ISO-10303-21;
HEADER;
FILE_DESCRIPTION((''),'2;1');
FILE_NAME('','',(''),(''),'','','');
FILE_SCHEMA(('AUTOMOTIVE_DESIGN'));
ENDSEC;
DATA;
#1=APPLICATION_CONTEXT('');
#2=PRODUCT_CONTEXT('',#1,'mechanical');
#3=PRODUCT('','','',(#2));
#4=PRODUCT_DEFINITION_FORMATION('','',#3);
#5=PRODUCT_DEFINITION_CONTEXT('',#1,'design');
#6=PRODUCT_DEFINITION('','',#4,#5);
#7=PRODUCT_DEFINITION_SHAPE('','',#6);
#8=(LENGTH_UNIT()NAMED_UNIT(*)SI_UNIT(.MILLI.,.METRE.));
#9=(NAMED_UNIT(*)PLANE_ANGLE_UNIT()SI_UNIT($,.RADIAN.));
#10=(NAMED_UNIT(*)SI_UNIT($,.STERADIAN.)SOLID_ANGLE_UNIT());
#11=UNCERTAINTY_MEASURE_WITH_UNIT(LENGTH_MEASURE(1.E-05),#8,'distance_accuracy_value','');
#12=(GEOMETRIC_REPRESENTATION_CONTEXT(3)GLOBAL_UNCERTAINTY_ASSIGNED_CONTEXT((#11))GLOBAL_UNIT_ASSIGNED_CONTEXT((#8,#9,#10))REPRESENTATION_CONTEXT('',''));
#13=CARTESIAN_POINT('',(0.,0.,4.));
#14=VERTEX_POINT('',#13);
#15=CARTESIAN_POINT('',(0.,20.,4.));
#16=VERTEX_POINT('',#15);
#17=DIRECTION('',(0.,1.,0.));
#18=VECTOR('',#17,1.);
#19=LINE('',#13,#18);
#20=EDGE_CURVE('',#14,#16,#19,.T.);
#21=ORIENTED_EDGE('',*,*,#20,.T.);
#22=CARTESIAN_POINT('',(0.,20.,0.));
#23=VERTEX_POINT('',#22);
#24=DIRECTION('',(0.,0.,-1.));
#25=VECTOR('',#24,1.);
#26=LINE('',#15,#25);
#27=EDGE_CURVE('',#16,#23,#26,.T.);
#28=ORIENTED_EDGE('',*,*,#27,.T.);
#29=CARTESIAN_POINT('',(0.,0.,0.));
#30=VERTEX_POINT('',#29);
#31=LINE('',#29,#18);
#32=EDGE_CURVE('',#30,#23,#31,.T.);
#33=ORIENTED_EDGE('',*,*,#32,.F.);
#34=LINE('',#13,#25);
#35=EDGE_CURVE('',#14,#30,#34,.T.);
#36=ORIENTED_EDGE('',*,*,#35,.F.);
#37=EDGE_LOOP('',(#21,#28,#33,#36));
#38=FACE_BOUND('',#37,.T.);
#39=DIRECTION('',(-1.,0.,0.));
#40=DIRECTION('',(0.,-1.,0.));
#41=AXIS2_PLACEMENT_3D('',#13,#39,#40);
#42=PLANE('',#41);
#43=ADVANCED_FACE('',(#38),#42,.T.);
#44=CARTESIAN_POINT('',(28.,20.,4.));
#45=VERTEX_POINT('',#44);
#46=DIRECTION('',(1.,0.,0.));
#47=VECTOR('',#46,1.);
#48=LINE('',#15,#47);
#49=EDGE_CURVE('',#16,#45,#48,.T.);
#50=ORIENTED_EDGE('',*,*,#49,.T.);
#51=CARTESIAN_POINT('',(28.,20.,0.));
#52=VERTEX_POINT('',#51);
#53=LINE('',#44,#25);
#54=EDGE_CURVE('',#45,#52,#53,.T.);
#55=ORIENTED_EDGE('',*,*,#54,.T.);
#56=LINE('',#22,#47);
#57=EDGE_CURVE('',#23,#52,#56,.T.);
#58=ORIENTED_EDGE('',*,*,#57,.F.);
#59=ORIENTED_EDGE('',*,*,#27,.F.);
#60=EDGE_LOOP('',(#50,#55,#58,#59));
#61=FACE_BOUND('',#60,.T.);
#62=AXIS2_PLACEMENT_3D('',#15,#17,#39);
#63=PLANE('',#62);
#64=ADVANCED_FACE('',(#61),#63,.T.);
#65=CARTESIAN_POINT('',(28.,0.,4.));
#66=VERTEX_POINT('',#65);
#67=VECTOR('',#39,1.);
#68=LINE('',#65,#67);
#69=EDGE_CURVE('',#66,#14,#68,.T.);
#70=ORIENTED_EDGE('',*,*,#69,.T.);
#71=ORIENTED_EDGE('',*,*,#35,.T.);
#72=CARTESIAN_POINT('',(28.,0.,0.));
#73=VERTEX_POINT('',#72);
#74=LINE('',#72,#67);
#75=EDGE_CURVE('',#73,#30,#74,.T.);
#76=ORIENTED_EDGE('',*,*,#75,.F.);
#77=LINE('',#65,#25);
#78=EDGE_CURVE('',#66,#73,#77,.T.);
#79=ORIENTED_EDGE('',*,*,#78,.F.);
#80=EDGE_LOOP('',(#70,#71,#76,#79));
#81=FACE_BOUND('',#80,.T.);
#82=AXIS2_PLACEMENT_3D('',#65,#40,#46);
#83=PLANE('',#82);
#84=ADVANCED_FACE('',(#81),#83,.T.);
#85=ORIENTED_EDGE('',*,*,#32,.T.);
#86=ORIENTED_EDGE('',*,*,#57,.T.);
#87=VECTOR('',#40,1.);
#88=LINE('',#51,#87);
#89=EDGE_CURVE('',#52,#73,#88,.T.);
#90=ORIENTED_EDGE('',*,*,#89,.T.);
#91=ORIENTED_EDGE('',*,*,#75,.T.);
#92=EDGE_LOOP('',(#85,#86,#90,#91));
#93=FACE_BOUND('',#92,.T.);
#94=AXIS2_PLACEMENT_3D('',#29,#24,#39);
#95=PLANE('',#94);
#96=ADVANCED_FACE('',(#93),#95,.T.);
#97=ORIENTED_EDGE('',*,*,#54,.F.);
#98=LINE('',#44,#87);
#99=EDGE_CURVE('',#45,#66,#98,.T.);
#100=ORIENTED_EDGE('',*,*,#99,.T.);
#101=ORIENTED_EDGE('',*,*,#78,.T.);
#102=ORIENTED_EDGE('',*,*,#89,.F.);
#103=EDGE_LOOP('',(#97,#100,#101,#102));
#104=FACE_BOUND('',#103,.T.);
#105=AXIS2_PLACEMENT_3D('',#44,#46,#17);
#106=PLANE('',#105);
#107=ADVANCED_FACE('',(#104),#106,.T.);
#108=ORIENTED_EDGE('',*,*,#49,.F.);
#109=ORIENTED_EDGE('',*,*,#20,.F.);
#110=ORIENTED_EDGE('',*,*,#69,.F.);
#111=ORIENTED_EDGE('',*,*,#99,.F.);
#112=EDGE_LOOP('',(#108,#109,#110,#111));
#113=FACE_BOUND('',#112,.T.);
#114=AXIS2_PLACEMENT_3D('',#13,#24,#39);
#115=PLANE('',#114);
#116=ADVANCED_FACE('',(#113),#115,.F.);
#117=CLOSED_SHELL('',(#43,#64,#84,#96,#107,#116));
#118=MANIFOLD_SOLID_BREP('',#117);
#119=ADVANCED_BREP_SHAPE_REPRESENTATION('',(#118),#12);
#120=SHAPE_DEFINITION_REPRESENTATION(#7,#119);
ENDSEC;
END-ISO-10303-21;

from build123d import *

# Parameters (mm, degrees)
SKETCH2_W           = 28
SKETCH2_H           = 20
BOSS_EXTRUDE1_DEPTH = 4


with BuildPart() as part:
    # Sketch2 → Boss-Extrude1 (new body)
    with BuildSketch(Plane.XY):
        with Locations((14, 10)):
            Rectangle(SKETCH2_W, SKETCH2_H)
    extrude(amount=BOSS_EXTRUDE1_DEPTH)


solid = part.part
